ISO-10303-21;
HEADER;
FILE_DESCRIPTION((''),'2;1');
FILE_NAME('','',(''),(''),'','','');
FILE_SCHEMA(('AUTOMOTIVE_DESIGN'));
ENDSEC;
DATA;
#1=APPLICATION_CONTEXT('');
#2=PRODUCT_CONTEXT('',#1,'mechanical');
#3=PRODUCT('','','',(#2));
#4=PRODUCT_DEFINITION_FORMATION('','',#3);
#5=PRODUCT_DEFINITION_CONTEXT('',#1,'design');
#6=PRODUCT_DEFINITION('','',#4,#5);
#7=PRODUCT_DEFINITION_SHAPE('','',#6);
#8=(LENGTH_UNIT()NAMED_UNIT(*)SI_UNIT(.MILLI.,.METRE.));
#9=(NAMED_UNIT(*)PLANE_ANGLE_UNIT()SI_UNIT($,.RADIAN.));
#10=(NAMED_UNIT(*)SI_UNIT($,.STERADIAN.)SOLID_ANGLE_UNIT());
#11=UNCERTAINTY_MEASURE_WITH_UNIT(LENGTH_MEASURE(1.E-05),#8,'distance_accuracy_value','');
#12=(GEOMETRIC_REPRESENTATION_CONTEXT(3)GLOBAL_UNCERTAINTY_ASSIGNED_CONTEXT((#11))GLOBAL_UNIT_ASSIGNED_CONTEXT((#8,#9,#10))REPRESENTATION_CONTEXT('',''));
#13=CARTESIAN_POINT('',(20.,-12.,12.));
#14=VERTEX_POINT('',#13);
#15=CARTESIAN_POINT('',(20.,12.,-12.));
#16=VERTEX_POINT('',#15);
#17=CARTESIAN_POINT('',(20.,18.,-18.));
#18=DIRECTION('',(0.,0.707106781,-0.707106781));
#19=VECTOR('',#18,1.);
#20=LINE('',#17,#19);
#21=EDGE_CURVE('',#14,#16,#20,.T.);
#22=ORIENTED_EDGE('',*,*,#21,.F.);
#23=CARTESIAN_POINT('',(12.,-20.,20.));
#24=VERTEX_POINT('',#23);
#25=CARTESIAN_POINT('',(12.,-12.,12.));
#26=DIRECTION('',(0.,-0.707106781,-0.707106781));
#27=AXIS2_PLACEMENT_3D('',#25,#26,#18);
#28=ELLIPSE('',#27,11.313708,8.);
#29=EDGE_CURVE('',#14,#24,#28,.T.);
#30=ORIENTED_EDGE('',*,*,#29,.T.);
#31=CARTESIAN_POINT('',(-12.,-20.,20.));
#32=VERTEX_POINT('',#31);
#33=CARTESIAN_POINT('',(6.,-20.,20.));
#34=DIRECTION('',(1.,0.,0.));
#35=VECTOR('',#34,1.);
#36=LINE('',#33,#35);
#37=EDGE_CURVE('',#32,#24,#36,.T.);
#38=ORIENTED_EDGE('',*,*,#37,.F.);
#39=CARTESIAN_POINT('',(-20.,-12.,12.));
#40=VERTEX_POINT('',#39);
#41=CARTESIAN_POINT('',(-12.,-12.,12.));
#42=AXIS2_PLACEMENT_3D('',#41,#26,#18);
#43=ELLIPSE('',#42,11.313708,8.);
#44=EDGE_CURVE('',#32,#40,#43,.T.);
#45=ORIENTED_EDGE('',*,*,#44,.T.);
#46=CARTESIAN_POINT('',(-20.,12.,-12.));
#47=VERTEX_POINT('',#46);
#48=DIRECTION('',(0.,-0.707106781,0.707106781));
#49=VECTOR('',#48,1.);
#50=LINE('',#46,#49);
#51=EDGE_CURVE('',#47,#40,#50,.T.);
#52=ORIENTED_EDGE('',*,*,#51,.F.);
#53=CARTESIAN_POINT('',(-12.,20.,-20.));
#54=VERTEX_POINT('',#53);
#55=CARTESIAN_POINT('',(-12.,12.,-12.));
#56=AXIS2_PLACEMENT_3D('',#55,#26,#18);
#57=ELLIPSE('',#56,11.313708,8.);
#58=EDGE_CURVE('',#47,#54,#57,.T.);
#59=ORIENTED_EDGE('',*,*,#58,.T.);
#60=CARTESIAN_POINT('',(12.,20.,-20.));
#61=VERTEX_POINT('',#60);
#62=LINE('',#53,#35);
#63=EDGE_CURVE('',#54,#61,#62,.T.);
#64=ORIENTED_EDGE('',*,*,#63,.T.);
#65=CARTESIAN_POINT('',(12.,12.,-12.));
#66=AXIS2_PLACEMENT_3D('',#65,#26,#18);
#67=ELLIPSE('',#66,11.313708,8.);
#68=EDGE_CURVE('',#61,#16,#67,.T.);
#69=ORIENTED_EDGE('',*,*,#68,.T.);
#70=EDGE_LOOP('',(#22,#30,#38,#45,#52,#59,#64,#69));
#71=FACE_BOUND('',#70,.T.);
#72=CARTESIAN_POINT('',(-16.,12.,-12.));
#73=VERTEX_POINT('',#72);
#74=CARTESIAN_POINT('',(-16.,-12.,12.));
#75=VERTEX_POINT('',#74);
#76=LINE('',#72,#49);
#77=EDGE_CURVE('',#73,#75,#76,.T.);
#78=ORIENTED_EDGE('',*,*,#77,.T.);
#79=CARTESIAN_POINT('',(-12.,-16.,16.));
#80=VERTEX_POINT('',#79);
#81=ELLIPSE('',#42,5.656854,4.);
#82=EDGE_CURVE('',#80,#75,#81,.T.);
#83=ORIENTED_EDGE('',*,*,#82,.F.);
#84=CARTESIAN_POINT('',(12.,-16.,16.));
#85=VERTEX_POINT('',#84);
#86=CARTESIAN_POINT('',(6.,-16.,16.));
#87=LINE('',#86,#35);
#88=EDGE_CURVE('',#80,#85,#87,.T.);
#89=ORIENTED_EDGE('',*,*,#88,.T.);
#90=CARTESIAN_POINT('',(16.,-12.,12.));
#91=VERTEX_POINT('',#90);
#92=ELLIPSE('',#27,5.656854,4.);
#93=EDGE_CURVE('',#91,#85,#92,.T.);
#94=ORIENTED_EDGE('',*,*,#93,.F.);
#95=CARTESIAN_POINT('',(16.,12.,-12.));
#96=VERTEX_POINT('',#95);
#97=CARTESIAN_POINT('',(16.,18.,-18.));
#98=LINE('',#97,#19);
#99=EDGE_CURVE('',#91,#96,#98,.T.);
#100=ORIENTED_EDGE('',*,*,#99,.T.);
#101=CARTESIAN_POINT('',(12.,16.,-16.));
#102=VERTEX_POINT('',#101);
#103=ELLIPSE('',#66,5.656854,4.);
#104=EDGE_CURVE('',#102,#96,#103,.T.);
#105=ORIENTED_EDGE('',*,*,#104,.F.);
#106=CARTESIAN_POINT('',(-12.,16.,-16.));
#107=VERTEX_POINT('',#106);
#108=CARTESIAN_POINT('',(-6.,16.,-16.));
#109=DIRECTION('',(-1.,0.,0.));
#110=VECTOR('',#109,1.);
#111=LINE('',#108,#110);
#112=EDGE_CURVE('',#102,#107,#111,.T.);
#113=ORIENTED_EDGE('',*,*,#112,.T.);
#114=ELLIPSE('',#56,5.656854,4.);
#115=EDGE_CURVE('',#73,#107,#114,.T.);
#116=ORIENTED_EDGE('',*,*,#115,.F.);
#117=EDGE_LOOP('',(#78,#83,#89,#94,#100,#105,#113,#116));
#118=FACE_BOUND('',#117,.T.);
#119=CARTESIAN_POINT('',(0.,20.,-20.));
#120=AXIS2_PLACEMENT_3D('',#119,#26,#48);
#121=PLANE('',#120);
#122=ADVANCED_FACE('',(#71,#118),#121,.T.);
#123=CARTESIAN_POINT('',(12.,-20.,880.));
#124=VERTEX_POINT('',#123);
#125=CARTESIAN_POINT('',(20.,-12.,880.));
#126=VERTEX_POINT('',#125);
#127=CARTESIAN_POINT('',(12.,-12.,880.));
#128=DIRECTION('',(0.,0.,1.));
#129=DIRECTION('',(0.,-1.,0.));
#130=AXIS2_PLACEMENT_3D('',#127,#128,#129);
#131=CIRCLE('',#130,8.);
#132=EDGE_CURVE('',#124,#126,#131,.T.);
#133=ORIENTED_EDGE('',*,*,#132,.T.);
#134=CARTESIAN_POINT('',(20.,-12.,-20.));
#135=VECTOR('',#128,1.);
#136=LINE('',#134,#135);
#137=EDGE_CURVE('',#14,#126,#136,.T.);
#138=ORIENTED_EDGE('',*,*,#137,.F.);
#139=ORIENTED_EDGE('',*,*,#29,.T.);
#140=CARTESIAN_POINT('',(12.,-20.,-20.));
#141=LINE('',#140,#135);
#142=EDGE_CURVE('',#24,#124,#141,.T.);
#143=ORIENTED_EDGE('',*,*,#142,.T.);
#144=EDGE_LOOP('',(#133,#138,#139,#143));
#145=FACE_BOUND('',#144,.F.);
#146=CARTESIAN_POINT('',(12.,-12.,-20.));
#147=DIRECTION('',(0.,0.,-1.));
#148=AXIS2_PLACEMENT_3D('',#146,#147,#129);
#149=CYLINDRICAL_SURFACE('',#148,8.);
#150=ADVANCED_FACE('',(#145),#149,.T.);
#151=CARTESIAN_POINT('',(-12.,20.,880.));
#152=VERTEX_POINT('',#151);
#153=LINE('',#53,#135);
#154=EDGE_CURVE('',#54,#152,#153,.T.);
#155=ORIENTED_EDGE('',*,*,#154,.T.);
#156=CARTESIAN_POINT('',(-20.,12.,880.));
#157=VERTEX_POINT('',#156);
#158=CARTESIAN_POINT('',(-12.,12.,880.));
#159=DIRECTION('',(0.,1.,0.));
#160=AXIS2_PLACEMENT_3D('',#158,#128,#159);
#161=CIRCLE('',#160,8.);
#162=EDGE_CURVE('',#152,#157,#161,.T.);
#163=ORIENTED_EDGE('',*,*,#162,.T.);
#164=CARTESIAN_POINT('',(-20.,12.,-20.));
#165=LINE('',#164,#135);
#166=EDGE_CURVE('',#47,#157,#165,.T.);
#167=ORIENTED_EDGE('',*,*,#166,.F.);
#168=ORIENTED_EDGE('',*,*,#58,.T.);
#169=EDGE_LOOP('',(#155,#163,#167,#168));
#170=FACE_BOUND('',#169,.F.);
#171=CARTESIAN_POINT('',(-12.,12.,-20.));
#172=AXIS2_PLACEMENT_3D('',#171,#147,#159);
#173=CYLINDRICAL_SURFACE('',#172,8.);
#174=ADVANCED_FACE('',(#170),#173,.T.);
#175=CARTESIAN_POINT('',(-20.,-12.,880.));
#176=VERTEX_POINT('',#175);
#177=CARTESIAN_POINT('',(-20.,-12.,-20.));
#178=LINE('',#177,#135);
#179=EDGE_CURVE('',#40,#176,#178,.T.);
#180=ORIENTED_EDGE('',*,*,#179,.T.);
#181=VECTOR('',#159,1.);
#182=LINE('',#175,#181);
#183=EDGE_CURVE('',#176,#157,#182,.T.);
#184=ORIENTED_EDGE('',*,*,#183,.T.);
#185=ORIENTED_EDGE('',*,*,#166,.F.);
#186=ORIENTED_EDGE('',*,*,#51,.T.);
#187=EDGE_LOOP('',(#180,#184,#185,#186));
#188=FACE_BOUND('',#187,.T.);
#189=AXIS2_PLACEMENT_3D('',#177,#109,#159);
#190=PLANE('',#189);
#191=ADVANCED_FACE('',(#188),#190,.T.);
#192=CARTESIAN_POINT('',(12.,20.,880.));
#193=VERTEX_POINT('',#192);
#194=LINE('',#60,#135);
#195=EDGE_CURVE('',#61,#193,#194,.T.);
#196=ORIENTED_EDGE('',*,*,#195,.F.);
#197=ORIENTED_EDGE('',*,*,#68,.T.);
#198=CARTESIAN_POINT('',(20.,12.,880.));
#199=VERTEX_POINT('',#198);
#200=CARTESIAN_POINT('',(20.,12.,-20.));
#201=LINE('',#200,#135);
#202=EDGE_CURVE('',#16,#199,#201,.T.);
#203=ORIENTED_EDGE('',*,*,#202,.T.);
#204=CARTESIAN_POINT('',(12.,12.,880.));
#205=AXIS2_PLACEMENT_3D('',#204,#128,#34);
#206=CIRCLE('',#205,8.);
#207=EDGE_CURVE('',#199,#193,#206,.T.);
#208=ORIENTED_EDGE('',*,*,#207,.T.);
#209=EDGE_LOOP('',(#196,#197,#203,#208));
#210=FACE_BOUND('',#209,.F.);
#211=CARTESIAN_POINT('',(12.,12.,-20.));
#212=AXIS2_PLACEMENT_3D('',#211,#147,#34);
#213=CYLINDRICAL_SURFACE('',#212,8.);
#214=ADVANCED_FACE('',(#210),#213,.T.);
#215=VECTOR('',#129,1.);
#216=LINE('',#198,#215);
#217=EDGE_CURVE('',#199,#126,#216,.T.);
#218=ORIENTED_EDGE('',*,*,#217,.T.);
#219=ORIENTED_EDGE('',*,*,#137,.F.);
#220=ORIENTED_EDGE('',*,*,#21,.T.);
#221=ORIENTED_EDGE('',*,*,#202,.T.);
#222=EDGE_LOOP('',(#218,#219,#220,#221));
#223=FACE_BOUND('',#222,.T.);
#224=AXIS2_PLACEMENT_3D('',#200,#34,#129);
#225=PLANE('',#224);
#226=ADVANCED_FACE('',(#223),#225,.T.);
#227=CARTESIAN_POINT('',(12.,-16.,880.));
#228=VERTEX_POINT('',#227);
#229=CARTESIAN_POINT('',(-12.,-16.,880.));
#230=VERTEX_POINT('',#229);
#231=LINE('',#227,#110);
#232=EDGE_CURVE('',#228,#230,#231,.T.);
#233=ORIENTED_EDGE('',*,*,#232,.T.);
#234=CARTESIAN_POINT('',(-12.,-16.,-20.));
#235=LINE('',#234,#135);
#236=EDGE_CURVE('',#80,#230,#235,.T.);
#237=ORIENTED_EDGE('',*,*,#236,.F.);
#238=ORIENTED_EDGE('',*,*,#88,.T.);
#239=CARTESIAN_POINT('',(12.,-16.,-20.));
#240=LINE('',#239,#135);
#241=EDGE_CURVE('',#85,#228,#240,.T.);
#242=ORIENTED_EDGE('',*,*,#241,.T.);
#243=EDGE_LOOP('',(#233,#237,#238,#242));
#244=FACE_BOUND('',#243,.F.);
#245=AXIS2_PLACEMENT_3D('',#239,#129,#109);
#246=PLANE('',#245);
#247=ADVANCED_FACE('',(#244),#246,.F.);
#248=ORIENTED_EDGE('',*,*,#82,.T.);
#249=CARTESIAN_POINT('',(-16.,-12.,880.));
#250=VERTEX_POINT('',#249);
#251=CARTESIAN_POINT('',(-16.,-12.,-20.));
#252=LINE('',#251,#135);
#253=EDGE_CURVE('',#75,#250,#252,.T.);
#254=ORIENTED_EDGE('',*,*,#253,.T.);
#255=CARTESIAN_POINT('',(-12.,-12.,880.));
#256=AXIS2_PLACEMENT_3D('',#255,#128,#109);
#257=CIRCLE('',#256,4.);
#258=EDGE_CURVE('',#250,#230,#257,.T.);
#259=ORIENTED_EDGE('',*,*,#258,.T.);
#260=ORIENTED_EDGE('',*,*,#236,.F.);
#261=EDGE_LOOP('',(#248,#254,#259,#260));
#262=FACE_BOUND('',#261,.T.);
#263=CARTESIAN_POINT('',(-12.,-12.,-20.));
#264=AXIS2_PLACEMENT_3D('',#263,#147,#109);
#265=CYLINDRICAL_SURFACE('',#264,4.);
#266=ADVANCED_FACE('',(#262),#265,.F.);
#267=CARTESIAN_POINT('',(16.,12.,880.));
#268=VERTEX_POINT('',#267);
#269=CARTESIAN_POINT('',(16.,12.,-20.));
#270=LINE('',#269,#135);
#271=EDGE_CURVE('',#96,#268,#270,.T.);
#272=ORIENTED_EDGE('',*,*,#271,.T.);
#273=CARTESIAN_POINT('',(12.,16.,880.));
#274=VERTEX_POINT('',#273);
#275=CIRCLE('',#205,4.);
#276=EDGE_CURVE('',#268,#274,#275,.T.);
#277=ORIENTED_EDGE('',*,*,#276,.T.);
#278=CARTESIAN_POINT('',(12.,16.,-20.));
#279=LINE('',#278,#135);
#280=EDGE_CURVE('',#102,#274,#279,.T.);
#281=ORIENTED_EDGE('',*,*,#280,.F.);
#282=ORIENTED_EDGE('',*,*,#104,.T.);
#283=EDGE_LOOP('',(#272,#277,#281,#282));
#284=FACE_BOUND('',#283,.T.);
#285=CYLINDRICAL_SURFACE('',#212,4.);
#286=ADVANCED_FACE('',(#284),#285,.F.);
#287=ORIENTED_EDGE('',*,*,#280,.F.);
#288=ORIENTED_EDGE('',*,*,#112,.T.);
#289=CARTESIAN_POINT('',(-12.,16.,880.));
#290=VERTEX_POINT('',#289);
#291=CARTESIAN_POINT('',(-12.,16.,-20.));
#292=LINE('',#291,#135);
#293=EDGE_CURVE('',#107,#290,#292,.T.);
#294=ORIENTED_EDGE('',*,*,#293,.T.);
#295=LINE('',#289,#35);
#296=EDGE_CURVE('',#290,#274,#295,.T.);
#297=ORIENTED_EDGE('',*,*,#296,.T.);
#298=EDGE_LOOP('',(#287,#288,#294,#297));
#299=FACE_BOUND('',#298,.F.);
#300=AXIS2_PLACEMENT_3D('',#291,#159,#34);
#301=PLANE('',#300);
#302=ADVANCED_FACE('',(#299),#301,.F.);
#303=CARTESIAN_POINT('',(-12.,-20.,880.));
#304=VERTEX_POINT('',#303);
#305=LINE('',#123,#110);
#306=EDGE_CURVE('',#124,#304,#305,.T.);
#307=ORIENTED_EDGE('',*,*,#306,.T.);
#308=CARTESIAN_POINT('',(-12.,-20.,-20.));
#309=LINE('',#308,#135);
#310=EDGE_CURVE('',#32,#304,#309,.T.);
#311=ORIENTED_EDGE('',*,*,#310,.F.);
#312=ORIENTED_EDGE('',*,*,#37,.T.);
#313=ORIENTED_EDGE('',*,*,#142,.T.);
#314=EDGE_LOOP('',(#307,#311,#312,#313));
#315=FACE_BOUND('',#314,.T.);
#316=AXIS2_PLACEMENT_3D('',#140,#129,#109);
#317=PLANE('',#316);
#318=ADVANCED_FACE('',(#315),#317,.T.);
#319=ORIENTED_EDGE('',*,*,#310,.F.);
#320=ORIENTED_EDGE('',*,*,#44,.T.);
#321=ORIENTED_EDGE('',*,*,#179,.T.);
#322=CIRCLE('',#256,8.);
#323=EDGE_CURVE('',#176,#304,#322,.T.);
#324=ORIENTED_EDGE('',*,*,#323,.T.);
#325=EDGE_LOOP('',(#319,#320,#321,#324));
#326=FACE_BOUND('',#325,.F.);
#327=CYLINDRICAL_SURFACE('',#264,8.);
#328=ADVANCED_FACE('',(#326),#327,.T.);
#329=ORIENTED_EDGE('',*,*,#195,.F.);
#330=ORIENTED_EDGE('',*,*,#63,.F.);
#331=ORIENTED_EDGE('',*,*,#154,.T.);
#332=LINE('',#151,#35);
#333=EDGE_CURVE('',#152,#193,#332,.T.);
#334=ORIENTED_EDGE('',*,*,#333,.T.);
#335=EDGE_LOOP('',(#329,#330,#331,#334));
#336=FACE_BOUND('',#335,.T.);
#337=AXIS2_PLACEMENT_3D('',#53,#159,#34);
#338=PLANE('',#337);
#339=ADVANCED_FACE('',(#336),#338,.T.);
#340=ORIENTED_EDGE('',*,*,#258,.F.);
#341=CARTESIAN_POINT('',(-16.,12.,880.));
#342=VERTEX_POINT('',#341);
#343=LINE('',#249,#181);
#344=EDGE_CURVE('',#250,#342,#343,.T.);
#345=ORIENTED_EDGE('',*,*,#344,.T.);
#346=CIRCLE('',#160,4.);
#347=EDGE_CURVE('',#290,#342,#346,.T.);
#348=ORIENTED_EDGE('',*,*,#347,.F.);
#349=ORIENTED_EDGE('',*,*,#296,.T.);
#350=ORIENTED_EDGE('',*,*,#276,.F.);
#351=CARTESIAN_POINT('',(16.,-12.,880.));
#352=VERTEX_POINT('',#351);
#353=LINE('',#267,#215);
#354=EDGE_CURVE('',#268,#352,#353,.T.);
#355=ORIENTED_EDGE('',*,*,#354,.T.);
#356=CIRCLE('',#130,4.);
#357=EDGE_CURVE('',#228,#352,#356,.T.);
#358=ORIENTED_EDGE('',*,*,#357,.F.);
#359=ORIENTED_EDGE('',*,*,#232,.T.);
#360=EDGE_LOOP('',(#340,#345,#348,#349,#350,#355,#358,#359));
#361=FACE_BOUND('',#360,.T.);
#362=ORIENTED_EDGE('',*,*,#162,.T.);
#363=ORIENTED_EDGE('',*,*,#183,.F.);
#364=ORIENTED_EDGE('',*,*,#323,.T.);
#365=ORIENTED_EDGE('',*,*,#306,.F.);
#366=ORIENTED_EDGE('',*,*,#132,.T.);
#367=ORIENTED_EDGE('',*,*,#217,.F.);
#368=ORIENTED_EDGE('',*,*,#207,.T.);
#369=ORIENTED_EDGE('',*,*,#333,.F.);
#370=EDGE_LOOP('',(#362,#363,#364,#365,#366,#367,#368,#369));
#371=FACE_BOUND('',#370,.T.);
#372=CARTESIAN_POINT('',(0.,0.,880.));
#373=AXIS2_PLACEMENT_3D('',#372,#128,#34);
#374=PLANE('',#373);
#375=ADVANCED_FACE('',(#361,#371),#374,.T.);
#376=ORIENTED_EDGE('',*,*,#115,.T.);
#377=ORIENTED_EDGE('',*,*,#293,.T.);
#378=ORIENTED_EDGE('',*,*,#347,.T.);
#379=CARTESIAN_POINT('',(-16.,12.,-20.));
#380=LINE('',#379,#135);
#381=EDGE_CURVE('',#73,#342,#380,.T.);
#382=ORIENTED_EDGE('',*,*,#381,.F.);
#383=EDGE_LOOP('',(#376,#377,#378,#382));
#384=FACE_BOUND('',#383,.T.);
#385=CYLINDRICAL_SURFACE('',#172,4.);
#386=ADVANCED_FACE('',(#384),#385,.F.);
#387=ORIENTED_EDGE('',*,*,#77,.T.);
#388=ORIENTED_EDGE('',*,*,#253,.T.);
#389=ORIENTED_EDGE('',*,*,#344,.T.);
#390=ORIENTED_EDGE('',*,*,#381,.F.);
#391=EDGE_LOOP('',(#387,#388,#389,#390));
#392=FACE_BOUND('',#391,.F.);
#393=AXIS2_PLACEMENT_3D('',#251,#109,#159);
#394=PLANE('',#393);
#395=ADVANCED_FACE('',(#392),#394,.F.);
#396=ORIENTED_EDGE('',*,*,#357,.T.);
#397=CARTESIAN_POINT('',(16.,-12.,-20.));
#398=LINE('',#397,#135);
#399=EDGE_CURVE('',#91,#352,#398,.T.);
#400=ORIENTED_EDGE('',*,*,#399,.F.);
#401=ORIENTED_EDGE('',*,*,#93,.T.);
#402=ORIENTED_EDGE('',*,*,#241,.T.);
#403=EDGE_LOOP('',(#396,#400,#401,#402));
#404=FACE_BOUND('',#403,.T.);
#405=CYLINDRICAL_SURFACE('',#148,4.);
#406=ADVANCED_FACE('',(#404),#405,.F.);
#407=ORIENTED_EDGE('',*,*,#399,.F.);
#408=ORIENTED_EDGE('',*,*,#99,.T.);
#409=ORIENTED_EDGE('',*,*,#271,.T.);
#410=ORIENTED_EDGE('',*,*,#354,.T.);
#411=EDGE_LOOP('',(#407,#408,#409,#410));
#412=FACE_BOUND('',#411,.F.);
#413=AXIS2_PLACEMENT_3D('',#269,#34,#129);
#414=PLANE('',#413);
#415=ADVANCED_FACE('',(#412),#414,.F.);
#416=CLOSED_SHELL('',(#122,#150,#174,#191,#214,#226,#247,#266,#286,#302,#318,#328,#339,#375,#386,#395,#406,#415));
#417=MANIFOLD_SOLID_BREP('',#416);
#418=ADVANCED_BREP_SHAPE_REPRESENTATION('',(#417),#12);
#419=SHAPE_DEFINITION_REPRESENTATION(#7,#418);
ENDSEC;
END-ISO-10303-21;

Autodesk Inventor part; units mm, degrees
ref_plane "Start plane" through (0, 0, -20) normal (0, 0, 1) x (1, 0, 0)
ref_plane "End plane" through (0, 0, 880) normal (0, 0, 1) x (1, 0, 0)
sketch "Sketch" plane through (0, 0, 0) normal (0, 0, 1) x (1, 0, 0)
  line L0 (-20, -12) -> (-20, 12)
  line L1 (-12, 20) -> (12, 20)
  line L2 (20, 12) -> (20, -12)
  line L3 (12, -20) -> (-12, -20)
  arc A0 (-20, -12) -> (-12, -20) centre (-12, -12) ccw
  arc A1 (-12, 20) -> (-20, 12) centre (-12, 12) ccw
  arc A2 (20, 12) -> (12, 20) centre (12, 12) ccw
  arc A3 (12, -20) -> (20, -12) centre (12, -12) ccw
  arc A4 (-12, 16) -> (-16, 12) centre (-12, 12) ccw
  line L4 (-12, 16) -> (12, 16)
  arc A5 (16, 12) -> (12, 16) centre (12, 12) ccw
  line L5 (16, 12) -> (16, -12)
  arc A6 (12, -16) -> (16, -12) centre (12, -12) ccw
  line L6 (12, -16) -> (-12, -16)
  arc A7 (-16, -12) -> (-12, -16) centre (-12, -12) ccw
  line L7 (-16, -12) -> (-16, 12)
  line L8 (0, 30.3196) -> (0, -30.3196) construction
  line L9 (-30.3196, 0) -> (30.3196, 0) construction
  dimension "d7" = 8
  dimension "d10" = 40
  dimension "d11" = 40
  dimension "d12" = 4
  dimension "d15" = 20
  dimension "d16" = 20
extrude "Body" add sketch "Sketch" along normal up to surface (900 mm away) from surface at -20
sketch "Sketch3" plane through (0, 0, 0) normal (0, 0, 1) x (1, 0, 0)
  line L0 (0, 0) -> (10, 0)
ref_plane "Work Plane3" through (0, 0, 0) normal (0, -1, 0) x (1, 0, 0)
sketch "Sketch4" plane through (0, 0, 0) normal (0, -1, 0) x (1, 0, 0)
  line L0 (-2, -20) -> (12, -20)
  line L1 (-2, 880) -> (12, 880)
  dimension "d18" = 900
ref_plane "Work Plane4" through (0, 20, -20) normal (0, -0.7071, -0.7071) x (1, 0, 0)
split "Split1" plane through (0, 20, -20) removes the side toward (0, -0.7071, -0.7071)
ref_plane "Work Plane5" through (0, 20, 1520) normal (0, -0.7071, 0.7071) x (1, 0, 0)
split "Split2" plane through (0, 20, 1520) removes the side toward (0, -0.7071, 0.7071)
ref_plane "Work Plane6" through (-1000, 12, 880) normal (0, 0, 1) x (1, 0, 0)
split "Split3" plane through (-1000, 12, 880) removes the side toward (0, 0, 1)
equation "\"d7\" = G_IR"
equation "\"d10\" = G_H"
equation "\"d11\" = G_W"
equation "\"d12\" = G_T"
equation "\"d15\" = 0.5 * d10"
equation "\"d16\" = 0.5 * d11"
equation "\"d3\" = G_L"
equation "\"G_W\" = 40"
equation "\"G_H\" = 40"
equation "\"G_T\" = 4"
equation "\"G_IR\" = 8"
equation "\"G_L\" = d18"
equation "\"G_OFFSET_START\" = 20"
equation "\"G_OFFSET_END\" = -620"
equation "\"d13\" = -G_OFFSET_START"
equation "\"d14\" = G_OFFSET_END + B_L"
equation "\"B_L\" = 1500"
properties part number "DIN EN 10219-2 - 40 x 40 x 4  - 900" material "Steel, Mild"
